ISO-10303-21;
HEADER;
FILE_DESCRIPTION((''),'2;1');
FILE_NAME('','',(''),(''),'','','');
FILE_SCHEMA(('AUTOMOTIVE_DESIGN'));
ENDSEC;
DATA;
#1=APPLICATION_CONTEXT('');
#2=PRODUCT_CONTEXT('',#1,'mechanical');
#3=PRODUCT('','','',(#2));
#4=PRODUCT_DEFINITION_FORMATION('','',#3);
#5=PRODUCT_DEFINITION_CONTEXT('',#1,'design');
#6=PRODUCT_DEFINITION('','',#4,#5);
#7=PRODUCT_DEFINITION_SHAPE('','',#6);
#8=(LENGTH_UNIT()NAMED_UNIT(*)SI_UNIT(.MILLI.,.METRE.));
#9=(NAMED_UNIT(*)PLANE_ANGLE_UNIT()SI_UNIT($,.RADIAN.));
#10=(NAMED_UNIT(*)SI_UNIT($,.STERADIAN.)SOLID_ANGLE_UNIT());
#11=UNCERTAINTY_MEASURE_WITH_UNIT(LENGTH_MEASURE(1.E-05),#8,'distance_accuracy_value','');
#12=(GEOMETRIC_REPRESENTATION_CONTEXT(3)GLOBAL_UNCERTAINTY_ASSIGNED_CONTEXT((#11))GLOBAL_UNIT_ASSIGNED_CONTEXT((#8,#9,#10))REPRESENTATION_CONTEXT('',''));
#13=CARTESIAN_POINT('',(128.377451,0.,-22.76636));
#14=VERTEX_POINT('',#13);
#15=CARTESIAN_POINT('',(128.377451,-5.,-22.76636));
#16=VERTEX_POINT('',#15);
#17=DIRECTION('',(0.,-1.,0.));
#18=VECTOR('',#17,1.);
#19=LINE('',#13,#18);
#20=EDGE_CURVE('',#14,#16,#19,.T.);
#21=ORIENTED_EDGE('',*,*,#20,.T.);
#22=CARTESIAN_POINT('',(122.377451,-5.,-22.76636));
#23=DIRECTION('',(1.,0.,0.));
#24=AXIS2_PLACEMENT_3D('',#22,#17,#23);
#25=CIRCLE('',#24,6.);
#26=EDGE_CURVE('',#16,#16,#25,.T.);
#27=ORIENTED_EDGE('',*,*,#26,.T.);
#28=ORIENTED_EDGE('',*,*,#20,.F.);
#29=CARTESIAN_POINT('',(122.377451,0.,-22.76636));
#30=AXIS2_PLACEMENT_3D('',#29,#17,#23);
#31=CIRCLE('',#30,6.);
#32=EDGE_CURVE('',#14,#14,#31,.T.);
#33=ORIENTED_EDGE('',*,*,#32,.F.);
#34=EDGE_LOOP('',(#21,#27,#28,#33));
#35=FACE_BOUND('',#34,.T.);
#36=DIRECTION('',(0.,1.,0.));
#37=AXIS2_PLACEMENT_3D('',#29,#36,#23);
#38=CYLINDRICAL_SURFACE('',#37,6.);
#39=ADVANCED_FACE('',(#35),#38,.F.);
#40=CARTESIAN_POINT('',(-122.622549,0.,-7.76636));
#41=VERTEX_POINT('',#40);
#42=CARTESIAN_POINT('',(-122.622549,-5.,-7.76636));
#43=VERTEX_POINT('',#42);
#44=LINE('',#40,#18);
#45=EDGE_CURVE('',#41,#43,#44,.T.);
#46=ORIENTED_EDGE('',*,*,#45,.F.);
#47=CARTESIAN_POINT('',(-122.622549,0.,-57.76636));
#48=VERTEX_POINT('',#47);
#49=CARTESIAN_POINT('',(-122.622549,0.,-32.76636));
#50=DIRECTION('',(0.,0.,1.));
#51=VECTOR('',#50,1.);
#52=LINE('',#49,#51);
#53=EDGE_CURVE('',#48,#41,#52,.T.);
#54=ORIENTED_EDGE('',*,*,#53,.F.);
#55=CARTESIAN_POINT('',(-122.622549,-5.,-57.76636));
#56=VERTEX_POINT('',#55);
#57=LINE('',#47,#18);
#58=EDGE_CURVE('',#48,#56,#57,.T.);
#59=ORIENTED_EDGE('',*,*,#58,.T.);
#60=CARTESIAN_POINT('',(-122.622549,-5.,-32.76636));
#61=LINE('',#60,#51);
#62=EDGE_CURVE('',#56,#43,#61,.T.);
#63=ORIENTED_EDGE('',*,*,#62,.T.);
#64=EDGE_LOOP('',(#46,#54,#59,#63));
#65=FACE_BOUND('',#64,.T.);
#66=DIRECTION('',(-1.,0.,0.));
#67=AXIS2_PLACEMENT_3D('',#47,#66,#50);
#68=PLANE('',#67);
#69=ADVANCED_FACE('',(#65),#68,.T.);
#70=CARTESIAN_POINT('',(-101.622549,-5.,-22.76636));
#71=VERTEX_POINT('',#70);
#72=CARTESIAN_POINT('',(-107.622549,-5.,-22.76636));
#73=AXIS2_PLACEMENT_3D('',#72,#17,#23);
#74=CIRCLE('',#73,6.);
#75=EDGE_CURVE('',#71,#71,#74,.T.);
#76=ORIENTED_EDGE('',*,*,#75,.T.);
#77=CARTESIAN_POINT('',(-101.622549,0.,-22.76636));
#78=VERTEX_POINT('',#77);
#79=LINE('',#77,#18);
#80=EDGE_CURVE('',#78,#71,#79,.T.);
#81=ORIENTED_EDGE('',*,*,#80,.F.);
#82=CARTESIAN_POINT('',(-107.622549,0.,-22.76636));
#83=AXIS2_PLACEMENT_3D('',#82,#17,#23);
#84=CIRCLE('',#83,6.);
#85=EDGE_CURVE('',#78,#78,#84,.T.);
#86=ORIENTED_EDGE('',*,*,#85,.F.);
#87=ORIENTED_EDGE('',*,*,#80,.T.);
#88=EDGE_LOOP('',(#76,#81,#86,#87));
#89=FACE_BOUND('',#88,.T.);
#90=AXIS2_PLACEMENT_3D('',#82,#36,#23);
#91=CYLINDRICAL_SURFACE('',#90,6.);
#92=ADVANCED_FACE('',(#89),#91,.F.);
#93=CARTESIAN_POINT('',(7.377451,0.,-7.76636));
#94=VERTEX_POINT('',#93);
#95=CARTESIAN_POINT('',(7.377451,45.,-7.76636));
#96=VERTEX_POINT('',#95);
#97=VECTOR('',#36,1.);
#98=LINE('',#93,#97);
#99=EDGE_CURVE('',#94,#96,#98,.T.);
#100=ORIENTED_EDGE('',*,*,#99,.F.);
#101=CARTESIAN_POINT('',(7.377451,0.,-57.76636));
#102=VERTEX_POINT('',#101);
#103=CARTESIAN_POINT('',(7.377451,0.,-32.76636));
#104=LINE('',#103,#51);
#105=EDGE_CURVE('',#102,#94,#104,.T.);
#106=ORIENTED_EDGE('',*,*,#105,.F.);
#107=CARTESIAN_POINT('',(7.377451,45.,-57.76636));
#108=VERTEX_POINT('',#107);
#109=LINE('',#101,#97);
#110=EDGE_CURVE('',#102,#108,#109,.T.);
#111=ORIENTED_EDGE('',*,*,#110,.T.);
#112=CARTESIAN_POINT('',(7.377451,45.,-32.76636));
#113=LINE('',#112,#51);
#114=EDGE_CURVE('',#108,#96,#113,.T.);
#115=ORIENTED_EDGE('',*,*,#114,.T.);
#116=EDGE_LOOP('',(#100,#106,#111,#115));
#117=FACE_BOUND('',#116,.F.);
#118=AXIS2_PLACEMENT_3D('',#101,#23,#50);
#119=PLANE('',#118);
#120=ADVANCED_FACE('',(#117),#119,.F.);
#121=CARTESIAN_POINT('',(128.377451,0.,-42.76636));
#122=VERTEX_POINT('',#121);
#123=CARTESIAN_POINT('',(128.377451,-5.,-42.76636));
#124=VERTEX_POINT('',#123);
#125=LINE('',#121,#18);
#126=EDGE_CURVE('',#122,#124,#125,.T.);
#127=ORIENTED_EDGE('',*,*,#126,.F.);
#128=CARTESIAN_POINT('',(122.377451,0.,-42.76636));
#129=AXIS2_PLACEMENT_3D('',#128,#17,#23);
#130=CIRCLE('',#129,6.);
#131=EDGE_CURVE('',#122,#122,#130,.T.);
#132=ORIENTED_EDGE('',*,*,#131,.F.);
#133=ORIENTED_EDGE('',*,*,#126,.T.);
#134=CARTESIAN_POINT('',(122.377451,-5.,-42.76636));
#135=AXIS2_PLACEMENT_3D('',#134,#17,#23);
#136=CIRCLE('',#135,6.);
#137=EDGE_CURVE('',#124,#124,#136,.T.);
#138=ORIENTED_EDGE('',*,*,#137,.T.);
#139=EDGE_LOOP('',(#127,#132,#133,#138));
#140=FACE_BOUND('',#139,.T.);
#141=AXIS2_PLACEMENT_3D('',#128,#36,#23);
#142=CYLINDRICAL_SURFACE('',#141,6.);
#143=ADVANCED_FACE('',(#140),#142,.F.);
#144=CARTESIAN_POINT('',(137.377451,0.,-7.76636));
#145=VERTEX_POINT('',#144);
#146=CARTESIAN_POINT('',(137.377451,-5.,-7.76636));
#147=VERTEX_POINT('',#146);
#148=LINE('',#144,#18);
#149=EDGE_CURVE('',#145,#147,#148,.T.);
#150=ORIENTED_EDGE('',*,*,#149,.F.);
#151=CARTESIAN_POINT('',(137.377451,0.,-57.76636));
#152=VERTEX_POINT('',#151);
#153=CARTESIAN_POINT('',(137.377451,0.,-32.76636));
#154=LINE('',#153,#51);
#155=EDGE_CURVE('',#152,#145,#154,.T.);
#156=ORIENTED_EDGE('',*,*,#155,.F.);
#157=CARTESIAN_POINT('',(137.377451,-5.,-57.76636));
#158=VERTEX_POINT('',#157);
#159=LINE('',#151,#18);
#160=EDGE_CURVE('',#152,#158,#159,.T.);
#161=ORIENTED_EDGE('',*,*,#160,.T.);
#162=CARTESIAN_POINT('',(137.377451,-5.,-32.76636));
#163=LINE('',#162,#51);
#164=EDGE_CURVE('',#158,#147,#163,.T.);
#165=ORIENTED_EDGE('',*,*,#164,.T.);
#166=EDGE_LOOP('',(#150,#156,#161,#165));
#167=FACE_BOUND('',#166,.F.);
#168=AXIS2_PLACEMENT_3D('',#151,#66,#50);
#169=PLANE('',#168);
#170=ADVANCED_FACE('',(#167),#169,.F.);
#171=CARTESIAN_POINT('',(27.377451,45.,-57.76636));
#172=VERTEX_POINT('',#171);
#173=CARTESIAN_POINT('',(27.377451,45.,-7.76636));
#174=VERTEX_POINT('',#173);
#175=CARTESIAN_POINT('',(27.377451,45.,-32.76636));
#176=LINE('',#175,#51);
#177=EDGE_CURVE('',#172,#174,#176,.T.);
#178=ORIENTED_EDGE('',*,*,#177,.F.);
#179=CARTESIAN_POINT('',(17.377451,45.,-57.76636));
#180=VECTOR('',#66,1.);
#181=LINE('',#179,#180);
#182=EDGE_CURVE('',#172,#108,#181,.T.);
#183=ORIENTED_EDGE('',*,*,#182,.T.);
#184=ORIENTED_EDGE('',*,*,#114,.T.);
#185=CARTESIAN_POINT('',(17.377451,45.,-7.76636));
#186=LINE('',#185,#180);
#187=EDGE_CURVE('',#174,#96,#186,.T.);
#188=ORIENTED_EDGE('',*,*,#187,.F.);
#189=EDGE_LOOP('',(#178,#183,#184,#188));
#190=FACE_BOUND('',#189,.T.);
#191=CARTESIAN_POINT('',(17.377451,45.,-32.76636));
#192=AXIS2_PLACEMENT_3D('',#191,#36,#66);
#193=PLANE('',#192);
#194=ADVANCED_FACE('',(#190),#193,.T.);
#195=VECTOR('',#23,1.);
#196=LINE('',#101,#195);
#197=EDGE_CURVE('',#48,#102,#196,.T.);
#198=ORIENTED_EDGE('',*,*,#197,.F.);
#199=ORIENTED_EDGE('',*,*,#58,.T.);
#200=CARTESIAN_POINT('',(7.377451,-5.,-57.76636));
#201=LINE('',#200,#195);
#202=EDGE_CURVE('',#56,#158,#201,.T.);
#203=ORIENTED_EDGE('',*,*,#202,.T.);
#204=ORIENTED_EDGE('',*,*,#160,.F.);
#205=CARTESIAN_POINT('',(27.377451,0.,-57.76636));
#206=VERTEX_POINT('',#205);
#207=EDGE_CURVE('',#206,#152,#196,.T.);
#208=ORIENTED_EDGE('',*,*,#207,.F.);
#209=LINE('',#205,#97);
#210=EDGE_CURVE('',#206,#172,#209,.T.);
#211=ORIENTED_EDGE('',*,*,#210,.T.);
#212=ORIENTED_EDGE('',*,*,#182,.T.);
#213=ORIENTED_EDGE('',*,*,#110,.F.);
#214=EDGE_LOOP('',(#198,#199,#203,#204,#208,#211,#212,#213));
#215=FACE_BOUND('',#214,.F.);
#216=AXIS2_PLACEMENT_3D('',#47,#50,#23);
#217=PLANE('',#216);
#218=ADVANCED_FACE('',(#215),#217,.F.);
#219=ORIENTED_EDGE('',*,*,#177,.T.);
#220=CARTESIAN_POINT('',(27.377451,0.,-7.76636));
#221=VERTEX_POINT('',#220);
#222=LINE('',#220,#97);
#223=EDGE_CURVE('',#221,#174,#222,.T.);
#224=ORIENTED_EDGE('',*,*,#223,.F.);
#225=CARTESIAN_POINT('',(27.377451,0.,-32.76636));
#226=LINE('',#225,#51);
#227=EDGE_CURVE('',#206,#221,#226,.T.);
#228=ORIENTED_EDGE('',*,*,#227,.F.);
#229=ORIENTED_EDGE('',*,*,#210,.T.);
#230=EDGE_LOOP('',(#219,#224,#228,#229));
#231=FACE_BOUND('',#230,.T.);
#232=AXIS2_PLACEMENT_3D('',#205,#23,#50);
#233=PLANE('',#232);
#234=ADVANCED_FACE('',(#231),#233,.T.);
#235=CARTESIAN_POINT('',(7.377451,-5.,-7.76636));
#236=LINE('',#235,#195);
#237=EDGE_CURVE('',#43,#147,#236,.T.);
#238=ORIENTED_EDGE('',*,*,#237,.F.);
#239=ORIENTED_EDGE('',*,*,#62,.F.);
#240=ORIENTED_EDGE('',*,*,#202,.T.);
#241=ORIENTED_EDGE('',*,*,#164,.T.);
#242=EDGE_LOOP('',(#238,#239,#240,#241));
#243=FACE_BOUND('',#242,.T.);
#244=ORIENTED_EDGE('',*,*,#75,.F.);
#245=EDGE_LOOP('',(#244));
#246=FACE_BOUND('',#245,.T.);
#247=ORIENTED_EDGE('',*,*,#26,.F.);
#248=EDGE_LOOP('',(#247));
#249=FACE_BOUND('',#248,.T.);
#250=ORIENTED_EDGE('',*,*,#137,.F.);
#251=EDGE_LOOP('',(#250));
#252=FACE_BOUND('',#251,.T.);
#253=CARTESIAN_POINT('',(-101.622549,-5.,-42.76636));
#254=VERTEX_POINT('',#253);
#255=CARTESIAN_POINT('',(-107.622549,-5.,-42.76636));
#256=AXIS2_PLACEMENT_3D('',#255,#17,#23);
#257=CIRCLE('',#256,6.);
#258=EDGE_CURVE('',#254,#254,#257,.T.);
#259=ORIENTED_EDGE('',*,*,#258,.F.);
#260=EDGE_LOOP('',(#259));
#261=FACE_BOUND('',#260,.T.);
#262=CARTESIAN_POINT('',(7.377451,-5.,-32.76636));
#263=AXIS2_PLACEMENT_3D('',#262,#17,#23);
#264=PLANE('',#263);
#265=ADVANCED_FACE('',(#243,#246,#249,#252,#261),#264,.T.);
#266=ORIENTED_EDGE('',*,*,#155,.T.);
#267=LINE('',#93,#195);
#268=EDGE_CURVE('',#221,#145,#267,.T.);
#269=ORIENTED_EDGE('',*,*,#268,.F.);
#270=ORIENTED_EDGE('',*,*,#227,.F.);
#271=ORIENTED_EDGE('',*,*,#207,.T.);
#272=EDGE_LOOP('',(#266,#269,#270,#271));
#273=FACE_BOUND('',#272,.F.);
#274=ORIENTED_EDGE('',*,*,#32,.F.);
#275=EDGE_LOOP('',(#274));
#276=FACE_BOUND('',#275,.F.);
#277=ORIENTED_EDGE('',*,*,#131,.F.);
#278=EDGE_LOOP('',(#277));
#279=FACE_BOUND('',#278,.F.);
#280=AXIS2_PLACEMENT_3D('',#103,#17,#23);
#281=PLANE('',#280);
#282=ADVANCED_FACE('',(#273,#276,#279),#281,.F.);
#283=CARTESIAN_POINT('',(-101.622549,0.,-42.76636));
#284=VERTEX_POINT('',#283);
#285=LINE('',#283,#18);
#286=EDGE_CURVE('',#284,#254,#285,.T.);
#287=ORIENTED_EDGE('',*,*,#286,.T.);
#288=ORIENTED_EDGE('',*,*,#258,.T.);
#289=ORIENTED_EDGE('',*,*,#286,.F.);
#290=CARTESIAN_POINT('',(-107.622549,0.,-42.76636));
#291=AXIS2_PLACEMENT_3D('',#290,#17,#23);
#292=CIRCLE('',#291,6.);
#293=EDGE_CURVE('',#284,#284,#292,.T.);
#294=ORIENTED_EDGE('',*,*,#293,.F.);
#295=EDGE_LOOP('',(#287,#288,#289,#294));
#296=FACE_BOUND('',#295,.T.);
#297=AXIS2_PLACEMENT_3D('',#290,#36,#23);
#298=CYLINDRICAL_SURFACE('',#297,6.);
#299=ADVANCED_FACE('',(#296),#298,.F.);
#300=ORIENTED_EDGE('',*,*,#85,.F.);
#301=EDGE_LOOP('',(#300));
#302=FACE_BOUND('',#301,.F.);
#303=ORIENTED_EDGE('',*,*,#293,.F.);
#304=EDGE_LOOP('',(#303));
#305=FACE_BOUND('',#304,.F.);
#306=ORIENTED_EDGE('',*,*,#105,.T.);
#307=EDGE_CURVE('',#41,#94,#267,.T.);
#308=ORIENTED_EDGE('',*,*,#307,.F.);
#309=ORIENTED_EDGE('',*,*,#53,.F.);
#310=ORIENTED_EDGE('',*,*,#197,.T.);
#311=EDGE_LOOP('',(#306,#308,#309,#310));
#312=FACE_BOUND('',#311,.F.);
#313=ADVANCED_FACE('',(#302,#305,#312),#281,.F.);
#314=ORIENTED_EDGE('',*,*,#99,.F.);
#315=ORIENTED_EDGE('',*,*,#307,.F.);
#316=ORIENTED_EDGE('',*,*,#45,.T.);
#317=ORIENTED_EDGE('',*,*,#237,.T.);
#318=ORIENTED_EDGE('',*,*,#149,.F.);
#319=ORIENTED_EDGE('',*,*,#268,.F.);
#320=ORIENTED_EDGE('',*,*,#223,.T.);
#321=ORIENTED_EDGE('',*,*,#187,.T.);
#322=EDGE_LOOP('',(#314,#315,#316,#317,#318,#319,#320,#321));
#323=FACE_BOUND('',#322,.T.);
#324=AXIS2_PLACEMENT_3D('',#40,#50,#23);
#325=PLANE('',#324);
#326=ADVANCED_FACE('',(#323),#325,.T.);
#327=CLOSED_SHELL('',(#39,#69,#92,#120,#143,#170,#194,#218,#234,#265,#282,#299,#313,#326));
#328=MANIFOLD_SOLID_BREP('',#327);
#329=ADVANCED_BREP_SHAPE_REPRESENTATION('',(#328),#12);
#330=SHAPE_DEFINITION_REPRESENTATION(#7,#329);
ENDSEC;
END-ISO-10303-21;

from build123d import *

# Parameters (mm, degrees)
F0_W     = 260
F0_H     = 50
F1_DEPTH = 5
F2_W     = 20
F2_H     = 50
F3_DEPTH = 45
F4_R     = 6
F5_DEPTH = 5


with BuildPart() as f1:
    # F0 (on Front) → F1 (new body)
    with BuildSketch(Plane.XZ):
        with Locations((7.377451, -32.76636)):
            Rectangle(F0_W, F0_H)
    extrude(amount=F1_DEPTH)

    # F2 (on face) → F3 (join)
    with BuildSketch(Plane(origin=(0, 0, 0), x_dir=(-1, 0, 0), z_dir=(0, 1, 0))):
        with Locations((-17.377451, -32.76636)):
            Rectangle(F2_W, F2_H)
    extrude(amount=F3_DEPTH)

    # F4 (on Front) → F5 (cut, through all)
    with BuildSketch(Plane.XZ):
        with Locations((122.377451, -42.76636)):
            Circle(F4_R)
        with Locations((122.377451, -22.76636)):
            Circle(F4_R)
        with Locations((-107.622549, -42.76636)):
            Circle(F4_R)
        with Locations((-107.622549, -22.76636)):
            Circle(F4_R)
    extrude(amount=F5_DEPTH, mode=Mode.SUBTRACT)


solid = f1.part
